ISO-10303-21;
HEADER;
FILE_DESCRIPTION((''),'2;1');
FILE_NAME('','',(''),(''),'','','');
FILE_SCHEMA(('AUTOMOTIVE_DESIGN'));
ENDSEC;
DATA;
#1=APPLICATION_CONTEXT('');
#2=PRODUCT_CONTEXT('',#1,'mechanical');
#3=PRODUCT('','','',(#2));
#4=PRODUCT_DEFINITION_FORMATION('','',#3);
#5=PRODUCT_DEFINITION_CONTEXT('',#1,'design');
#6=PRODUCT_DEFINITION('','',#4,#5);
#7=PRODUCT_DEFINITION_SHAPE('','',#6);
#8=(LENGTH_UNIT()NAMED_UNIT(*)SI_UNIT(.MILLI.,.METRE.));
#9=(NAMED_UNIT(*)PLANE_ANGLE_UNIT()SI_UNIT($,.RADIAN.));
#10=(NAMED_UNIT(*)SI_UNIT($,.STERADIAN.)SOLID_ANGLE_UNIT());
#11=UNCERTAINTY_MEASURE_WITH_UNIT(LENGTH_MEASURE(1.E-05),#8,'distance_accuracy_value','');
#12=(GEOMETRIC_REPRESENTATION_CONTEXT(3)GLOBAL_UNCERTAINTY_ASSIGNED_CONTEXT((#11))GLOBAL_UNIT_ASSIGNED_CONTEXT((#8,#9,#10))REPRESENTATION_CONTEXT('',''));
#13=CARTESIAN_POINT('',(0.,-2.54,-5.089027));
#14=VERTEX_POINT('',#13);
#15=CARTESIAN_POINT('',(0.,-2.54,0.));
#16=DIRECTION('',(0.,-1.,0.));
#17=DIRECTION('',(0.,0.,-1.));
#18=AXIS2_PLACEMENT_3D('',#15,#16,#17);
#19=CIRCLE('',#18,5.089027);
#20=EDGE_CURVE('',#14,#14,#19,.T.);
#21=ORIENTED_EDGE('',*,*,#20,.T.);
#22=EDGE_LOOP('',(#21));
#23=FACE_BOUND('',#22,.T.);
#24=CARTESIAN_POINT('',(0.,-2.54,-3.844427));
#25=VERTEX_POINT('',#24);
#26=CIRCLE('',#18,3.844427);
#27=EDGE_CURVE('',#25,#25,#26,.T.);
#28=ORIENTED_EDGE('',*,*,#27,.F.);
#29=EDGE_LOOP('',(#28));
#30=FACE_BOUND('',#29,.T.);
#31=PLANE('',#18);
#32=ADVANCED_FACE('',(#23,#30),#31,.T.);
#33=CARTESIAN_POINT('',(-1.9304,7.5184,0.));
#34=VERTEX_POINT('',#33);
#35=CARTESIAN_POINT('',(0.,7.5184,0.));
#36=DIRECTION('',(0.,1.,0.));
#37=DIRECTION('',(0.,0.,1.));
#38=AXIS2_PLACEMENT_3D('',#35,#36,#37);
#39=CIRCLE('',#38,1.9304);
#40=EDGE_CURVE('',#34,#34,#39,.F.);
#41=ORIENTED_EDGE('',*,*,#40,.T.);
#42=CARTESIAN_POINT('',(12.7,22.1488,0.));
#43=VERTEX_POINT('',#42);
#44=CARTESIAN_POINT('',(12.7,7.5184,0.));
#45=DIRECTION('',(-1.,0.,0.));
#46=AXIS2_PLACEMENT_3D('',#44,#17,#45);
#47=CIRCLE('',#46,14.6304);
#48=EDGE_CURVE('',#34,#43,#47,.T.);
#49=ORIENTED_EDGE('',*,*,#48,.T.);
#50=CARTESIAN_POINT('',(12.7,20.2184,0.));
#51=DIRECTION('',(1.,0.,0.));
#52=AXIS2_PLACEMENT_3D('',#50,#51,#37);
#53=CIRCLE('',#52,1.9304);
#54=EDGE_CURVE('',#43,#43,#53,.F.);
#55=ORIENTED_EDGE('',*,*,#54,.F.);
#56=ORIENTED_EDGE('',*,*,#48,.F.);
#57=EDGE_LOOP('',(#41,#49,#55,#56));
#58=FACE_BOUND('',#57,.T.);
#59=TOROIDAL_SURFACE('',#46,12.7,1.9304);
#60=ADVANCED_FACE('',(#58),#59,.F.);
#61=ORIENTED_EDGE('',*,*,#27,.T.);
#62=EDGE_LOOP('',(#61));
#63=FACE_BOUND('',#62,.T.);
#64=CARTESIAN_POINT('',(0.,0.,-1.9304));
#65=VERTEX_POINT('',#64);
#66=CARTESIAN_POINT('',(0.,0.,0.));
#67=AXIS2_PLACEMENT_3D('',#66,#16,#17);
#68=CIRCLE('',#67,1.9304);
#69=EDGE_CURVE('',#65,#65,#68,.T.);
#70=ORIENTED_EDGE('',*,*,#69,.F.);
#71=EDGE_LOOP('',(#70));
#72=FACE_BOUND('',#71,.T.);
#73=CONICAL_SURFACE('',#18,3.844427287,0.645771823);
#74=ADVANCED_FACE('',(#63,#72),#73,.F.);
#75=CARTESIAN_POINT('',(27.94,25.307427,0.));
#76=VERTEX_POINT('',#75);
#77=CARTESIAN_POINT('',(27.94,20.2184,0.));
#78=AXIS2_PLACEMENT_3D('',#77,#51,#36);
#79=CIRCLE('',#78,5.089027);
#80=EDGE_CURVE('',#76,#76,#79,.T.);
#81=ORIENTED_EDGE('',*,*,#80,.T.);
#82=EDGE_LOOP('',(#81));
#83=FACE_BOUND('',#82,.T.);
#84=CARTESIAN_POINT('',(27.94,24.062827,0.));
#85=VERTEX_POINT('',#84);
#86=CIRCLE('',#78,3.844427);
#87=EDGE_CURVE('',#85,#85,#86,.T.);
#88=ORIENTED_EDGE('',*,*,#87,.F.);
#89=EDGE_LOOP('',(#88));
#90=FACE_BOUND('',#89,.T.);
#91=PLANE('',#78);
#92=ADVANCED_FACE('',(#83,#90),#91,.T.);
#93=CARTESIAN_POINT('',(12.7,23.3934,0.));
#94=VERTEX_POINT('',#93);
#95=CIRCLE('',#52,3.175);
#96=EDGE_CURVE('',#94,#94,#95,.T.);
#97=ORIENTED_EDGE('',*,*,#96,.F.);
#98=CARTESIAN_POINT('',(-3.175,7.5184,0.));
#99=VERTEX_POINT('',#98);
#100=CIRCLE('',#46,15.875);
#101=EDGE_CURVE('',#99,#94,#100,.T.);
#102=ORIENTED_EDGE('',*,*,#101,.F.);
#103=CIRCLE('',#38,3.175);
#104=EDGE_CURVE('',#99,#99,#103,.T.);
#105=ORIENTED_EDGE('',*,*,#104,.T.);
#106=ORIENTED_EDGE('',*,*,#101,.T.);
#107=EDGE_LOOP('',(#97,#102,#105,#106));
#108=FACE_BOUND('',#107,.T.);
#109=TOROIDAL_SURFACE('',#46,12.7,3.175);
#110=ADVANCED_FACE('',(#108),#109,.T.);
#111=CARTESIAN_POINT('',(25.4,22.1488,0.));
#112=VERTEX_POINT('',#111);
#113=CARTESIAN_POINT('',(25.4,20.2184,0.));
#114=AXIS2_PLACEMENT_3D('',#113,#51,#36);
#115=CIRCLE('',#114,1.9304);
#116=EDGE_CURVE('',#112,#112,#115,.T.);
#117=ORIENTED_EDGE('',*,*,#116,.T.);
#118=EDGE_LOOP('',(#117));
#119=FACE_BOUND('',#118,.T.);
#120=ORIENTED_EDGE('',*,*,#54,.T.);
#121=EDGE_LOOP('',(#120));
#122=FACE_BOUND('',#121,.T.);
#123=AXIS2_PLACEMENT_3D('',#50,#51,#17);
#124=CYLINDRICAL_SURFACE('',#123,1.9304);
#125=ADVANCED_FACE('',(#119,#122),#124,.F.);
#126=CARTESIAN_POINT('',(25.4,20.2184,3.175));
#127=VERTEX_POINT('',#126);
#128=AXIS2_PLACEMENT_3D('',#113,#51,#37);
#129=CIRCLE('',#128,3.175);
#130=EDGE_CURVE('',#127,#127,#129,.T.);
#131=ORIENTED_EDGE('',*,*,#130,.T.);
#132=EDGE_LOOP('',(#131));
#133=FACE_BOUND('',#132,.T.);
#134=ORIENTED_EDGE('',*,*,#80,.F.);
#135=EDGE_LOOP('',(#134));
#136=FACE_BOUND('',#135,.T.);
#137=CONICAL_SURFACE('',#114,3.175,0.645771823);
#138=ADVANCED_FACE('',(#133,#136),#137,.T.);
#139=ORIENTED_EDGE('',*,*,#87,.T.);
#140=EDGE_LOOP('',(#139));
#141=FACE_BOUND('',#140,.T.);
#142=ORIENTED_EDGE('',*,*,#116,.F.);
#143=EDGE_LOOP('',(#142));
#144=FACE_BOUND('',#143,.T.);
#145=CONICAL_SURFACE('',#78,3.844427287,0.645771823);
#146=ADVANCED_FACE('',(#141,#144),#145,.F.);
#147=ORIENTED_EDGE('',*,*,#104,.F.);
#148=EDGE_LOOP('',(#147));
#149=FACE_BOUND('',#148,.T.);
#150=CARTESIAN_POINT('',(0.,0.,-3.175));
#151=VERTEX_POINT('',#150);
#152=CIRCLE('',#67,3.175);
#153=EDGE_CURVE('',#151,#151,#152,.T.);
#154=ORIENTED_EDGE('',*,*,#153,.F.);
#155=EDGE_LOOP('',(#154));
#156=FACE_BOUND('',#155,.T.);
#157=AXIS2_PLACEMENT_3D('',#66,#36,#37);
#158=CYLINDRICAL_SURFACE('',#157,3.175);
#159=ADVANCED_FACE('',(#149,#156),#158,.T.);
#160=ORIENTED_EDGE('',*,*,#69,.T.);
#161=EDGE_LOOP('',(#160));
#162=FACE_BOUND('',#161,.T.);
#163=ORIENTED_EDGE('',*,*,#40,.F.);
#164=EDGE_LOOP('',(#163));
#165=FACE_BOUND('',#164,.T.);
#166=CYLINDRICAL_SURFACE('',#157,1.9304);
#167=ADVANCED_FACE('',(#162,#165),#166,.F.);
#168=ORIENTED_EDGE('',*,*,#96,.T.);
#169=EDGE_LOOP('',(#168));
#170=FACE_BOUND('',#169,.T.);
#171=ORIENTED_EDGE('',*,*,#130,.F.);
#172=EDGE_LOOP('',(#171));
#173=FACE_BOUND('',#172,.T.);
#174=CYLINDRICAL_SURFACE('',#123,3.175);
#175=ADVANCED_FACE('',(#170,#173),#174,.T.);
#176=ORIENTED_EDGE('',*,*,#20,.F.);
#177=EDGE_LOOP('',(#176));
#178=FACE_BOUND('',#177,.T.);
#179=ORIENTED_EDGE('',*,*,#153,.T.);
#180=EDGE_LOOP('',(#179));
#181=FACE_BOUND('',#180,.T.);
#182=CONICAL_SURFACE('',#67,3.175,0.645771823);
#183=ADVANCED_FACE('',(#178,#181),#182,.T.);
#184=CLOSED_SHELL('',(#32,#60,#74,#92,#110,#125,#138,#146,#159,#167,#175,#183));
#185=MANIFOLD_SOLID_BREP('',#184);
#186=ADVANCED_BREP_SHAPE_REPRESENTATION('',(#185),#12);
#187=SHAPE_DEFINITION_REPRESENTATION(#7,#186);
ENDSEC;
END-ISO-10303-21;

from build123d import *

# Parameters (mm, degrees)
SKETCH1_R           = 3.175
SKETCH1_R_2         = 1.9304
SKETCH3_R           = 3.175
BOSS_EXTRUDE1_DEPTH = 2.54
BOSS_EXTRUDE1_DRAFT = -37
SKETCH5_R           = 3.175
BOSS_EXTRUDE2_DEPTH = 2.54
BOSS_EXTRUDE2_DRAFT = -37


with BuildPart() as part:
    # Sweep1: sweep along a path in Sketch2
    with BuildLine(Plane.XY) as sweep1_path:
        Line((0, 0), (0, 7.5184))
        ThreePointArc((0, 7.5184), (3.719743879, 16.498656121), (12.7, 20.2184))
        Line((12.7, 20.2184), (25.4, 20.2184))
    # Sketch1 → Sweep1 (sweep)
    with BuildSketch(Plane(origin=(0, 0, 0), x_dir=(1, 0, 0), z_dir=(0, 1, 0))):
        Circle(SKETCH1_R)
        Circle(SKETCH1_R_2, mode=Mode.SUBTRACT)
    sweep(path=sweep1_path.line)


with BuildPart() as boss_extrude1_tool:
    # Sketch3 → Boss-Extrude1 (with draft: the straight prism first)
    with BuildSketch(Plane.XZ):
        with Locations(Location((0, 0, 0), (0, 0, 180))):
            Circle(SKETCH3_R)
    extrude(amount=BOSS_EXTRUDE1_DEPTH)
    # Boss-Extrude1: the draft: its side faces are tilted about the plane it starts from
    boss_extrude1_sides = [boss_extrude1_tool.faces().sort_by_distance(p)[0] for p in [
        (3.175, -1.27, 0),
    ]]
    draft(boss_extrude1_sides, Plane.XZ, BOSS_EXTRUDE1_DRAFT)


with BuildPart() as part_1:
    add(part.part)

    # Boss-Extrude1: add boss_extrude1_tool
    add(boss_extrude1_tool.part)

    # Cut-Extrude1 cone 1 section (through the dimple's axis) → Cut-Extrude1 (revolve, cut)
    with BuildSketch(Plane(origin=(0, -2.54, 0), x_dir=(0, 0, -1), z_dir=(1, 0, 0))):
        Polygon((0, 0), (3.844427287, 0), (0, 5.101727324), align=None)
    revolve(axis=Axis((0, -2.54, 0), (0, 1, 0)), mode=Mode.SUBTRACT)


with BuildPart() as boss_extrude2_tool:
    # Sketch5 → Boss-Extrude2 (with draft: the straight prism first)
    with BuildSketch(Plane(origin=(25.4, 0, 0), x_dir=(0, 0, -1), z_dir=(1, 0, 0))):
        with Locations(Location((0, 20.2184, 0), (0, 0, 90))):
            Circle(SKETCH5_R)
    extrude(amount=BOSS_EXTRUDE2_DEPTH)
    # Boss-Extrude2: the draft: its side faces are tilted about the plane it starts from
    boss_extrude2_sides = [boss_extrude2_tool.faces().sort_by_distance(p)[0] for p in [
        (26.67, 17.0434, 0),
    ]]
    draft(boss_extrude2_sides, Plane(origin=(25.4, 0, 0), x_dir=(0, 0, -1), z_dir=(1, 0, 0)), BOSS_EXTRUDE2_DRAFT)


with BuildPart() as part_2:
    add(part_1.part)

    # Boss-Extrude2: add boss_extrude2_tool
    add(boss_extrude2_tool.part)

    # Cut-Extrude2 cone 1 section (through the dimple's axis) → Cut-Extrude2 (revolve, cut)
    with BuildSketch(Plane(origin=(27.94, 20.2184, 0), x_dir=(0, 0, -1), z_dir=(0, 1, 0))):
        Polygon((0, 0), (3.844427287, 0), (0, 5.101727324), align=None)
    revolve(axis=Axis((27.94, 20.2184, 0), (-1, 0, 0)), mode=Mode.SUBTRACT)


solid = part_2.part
